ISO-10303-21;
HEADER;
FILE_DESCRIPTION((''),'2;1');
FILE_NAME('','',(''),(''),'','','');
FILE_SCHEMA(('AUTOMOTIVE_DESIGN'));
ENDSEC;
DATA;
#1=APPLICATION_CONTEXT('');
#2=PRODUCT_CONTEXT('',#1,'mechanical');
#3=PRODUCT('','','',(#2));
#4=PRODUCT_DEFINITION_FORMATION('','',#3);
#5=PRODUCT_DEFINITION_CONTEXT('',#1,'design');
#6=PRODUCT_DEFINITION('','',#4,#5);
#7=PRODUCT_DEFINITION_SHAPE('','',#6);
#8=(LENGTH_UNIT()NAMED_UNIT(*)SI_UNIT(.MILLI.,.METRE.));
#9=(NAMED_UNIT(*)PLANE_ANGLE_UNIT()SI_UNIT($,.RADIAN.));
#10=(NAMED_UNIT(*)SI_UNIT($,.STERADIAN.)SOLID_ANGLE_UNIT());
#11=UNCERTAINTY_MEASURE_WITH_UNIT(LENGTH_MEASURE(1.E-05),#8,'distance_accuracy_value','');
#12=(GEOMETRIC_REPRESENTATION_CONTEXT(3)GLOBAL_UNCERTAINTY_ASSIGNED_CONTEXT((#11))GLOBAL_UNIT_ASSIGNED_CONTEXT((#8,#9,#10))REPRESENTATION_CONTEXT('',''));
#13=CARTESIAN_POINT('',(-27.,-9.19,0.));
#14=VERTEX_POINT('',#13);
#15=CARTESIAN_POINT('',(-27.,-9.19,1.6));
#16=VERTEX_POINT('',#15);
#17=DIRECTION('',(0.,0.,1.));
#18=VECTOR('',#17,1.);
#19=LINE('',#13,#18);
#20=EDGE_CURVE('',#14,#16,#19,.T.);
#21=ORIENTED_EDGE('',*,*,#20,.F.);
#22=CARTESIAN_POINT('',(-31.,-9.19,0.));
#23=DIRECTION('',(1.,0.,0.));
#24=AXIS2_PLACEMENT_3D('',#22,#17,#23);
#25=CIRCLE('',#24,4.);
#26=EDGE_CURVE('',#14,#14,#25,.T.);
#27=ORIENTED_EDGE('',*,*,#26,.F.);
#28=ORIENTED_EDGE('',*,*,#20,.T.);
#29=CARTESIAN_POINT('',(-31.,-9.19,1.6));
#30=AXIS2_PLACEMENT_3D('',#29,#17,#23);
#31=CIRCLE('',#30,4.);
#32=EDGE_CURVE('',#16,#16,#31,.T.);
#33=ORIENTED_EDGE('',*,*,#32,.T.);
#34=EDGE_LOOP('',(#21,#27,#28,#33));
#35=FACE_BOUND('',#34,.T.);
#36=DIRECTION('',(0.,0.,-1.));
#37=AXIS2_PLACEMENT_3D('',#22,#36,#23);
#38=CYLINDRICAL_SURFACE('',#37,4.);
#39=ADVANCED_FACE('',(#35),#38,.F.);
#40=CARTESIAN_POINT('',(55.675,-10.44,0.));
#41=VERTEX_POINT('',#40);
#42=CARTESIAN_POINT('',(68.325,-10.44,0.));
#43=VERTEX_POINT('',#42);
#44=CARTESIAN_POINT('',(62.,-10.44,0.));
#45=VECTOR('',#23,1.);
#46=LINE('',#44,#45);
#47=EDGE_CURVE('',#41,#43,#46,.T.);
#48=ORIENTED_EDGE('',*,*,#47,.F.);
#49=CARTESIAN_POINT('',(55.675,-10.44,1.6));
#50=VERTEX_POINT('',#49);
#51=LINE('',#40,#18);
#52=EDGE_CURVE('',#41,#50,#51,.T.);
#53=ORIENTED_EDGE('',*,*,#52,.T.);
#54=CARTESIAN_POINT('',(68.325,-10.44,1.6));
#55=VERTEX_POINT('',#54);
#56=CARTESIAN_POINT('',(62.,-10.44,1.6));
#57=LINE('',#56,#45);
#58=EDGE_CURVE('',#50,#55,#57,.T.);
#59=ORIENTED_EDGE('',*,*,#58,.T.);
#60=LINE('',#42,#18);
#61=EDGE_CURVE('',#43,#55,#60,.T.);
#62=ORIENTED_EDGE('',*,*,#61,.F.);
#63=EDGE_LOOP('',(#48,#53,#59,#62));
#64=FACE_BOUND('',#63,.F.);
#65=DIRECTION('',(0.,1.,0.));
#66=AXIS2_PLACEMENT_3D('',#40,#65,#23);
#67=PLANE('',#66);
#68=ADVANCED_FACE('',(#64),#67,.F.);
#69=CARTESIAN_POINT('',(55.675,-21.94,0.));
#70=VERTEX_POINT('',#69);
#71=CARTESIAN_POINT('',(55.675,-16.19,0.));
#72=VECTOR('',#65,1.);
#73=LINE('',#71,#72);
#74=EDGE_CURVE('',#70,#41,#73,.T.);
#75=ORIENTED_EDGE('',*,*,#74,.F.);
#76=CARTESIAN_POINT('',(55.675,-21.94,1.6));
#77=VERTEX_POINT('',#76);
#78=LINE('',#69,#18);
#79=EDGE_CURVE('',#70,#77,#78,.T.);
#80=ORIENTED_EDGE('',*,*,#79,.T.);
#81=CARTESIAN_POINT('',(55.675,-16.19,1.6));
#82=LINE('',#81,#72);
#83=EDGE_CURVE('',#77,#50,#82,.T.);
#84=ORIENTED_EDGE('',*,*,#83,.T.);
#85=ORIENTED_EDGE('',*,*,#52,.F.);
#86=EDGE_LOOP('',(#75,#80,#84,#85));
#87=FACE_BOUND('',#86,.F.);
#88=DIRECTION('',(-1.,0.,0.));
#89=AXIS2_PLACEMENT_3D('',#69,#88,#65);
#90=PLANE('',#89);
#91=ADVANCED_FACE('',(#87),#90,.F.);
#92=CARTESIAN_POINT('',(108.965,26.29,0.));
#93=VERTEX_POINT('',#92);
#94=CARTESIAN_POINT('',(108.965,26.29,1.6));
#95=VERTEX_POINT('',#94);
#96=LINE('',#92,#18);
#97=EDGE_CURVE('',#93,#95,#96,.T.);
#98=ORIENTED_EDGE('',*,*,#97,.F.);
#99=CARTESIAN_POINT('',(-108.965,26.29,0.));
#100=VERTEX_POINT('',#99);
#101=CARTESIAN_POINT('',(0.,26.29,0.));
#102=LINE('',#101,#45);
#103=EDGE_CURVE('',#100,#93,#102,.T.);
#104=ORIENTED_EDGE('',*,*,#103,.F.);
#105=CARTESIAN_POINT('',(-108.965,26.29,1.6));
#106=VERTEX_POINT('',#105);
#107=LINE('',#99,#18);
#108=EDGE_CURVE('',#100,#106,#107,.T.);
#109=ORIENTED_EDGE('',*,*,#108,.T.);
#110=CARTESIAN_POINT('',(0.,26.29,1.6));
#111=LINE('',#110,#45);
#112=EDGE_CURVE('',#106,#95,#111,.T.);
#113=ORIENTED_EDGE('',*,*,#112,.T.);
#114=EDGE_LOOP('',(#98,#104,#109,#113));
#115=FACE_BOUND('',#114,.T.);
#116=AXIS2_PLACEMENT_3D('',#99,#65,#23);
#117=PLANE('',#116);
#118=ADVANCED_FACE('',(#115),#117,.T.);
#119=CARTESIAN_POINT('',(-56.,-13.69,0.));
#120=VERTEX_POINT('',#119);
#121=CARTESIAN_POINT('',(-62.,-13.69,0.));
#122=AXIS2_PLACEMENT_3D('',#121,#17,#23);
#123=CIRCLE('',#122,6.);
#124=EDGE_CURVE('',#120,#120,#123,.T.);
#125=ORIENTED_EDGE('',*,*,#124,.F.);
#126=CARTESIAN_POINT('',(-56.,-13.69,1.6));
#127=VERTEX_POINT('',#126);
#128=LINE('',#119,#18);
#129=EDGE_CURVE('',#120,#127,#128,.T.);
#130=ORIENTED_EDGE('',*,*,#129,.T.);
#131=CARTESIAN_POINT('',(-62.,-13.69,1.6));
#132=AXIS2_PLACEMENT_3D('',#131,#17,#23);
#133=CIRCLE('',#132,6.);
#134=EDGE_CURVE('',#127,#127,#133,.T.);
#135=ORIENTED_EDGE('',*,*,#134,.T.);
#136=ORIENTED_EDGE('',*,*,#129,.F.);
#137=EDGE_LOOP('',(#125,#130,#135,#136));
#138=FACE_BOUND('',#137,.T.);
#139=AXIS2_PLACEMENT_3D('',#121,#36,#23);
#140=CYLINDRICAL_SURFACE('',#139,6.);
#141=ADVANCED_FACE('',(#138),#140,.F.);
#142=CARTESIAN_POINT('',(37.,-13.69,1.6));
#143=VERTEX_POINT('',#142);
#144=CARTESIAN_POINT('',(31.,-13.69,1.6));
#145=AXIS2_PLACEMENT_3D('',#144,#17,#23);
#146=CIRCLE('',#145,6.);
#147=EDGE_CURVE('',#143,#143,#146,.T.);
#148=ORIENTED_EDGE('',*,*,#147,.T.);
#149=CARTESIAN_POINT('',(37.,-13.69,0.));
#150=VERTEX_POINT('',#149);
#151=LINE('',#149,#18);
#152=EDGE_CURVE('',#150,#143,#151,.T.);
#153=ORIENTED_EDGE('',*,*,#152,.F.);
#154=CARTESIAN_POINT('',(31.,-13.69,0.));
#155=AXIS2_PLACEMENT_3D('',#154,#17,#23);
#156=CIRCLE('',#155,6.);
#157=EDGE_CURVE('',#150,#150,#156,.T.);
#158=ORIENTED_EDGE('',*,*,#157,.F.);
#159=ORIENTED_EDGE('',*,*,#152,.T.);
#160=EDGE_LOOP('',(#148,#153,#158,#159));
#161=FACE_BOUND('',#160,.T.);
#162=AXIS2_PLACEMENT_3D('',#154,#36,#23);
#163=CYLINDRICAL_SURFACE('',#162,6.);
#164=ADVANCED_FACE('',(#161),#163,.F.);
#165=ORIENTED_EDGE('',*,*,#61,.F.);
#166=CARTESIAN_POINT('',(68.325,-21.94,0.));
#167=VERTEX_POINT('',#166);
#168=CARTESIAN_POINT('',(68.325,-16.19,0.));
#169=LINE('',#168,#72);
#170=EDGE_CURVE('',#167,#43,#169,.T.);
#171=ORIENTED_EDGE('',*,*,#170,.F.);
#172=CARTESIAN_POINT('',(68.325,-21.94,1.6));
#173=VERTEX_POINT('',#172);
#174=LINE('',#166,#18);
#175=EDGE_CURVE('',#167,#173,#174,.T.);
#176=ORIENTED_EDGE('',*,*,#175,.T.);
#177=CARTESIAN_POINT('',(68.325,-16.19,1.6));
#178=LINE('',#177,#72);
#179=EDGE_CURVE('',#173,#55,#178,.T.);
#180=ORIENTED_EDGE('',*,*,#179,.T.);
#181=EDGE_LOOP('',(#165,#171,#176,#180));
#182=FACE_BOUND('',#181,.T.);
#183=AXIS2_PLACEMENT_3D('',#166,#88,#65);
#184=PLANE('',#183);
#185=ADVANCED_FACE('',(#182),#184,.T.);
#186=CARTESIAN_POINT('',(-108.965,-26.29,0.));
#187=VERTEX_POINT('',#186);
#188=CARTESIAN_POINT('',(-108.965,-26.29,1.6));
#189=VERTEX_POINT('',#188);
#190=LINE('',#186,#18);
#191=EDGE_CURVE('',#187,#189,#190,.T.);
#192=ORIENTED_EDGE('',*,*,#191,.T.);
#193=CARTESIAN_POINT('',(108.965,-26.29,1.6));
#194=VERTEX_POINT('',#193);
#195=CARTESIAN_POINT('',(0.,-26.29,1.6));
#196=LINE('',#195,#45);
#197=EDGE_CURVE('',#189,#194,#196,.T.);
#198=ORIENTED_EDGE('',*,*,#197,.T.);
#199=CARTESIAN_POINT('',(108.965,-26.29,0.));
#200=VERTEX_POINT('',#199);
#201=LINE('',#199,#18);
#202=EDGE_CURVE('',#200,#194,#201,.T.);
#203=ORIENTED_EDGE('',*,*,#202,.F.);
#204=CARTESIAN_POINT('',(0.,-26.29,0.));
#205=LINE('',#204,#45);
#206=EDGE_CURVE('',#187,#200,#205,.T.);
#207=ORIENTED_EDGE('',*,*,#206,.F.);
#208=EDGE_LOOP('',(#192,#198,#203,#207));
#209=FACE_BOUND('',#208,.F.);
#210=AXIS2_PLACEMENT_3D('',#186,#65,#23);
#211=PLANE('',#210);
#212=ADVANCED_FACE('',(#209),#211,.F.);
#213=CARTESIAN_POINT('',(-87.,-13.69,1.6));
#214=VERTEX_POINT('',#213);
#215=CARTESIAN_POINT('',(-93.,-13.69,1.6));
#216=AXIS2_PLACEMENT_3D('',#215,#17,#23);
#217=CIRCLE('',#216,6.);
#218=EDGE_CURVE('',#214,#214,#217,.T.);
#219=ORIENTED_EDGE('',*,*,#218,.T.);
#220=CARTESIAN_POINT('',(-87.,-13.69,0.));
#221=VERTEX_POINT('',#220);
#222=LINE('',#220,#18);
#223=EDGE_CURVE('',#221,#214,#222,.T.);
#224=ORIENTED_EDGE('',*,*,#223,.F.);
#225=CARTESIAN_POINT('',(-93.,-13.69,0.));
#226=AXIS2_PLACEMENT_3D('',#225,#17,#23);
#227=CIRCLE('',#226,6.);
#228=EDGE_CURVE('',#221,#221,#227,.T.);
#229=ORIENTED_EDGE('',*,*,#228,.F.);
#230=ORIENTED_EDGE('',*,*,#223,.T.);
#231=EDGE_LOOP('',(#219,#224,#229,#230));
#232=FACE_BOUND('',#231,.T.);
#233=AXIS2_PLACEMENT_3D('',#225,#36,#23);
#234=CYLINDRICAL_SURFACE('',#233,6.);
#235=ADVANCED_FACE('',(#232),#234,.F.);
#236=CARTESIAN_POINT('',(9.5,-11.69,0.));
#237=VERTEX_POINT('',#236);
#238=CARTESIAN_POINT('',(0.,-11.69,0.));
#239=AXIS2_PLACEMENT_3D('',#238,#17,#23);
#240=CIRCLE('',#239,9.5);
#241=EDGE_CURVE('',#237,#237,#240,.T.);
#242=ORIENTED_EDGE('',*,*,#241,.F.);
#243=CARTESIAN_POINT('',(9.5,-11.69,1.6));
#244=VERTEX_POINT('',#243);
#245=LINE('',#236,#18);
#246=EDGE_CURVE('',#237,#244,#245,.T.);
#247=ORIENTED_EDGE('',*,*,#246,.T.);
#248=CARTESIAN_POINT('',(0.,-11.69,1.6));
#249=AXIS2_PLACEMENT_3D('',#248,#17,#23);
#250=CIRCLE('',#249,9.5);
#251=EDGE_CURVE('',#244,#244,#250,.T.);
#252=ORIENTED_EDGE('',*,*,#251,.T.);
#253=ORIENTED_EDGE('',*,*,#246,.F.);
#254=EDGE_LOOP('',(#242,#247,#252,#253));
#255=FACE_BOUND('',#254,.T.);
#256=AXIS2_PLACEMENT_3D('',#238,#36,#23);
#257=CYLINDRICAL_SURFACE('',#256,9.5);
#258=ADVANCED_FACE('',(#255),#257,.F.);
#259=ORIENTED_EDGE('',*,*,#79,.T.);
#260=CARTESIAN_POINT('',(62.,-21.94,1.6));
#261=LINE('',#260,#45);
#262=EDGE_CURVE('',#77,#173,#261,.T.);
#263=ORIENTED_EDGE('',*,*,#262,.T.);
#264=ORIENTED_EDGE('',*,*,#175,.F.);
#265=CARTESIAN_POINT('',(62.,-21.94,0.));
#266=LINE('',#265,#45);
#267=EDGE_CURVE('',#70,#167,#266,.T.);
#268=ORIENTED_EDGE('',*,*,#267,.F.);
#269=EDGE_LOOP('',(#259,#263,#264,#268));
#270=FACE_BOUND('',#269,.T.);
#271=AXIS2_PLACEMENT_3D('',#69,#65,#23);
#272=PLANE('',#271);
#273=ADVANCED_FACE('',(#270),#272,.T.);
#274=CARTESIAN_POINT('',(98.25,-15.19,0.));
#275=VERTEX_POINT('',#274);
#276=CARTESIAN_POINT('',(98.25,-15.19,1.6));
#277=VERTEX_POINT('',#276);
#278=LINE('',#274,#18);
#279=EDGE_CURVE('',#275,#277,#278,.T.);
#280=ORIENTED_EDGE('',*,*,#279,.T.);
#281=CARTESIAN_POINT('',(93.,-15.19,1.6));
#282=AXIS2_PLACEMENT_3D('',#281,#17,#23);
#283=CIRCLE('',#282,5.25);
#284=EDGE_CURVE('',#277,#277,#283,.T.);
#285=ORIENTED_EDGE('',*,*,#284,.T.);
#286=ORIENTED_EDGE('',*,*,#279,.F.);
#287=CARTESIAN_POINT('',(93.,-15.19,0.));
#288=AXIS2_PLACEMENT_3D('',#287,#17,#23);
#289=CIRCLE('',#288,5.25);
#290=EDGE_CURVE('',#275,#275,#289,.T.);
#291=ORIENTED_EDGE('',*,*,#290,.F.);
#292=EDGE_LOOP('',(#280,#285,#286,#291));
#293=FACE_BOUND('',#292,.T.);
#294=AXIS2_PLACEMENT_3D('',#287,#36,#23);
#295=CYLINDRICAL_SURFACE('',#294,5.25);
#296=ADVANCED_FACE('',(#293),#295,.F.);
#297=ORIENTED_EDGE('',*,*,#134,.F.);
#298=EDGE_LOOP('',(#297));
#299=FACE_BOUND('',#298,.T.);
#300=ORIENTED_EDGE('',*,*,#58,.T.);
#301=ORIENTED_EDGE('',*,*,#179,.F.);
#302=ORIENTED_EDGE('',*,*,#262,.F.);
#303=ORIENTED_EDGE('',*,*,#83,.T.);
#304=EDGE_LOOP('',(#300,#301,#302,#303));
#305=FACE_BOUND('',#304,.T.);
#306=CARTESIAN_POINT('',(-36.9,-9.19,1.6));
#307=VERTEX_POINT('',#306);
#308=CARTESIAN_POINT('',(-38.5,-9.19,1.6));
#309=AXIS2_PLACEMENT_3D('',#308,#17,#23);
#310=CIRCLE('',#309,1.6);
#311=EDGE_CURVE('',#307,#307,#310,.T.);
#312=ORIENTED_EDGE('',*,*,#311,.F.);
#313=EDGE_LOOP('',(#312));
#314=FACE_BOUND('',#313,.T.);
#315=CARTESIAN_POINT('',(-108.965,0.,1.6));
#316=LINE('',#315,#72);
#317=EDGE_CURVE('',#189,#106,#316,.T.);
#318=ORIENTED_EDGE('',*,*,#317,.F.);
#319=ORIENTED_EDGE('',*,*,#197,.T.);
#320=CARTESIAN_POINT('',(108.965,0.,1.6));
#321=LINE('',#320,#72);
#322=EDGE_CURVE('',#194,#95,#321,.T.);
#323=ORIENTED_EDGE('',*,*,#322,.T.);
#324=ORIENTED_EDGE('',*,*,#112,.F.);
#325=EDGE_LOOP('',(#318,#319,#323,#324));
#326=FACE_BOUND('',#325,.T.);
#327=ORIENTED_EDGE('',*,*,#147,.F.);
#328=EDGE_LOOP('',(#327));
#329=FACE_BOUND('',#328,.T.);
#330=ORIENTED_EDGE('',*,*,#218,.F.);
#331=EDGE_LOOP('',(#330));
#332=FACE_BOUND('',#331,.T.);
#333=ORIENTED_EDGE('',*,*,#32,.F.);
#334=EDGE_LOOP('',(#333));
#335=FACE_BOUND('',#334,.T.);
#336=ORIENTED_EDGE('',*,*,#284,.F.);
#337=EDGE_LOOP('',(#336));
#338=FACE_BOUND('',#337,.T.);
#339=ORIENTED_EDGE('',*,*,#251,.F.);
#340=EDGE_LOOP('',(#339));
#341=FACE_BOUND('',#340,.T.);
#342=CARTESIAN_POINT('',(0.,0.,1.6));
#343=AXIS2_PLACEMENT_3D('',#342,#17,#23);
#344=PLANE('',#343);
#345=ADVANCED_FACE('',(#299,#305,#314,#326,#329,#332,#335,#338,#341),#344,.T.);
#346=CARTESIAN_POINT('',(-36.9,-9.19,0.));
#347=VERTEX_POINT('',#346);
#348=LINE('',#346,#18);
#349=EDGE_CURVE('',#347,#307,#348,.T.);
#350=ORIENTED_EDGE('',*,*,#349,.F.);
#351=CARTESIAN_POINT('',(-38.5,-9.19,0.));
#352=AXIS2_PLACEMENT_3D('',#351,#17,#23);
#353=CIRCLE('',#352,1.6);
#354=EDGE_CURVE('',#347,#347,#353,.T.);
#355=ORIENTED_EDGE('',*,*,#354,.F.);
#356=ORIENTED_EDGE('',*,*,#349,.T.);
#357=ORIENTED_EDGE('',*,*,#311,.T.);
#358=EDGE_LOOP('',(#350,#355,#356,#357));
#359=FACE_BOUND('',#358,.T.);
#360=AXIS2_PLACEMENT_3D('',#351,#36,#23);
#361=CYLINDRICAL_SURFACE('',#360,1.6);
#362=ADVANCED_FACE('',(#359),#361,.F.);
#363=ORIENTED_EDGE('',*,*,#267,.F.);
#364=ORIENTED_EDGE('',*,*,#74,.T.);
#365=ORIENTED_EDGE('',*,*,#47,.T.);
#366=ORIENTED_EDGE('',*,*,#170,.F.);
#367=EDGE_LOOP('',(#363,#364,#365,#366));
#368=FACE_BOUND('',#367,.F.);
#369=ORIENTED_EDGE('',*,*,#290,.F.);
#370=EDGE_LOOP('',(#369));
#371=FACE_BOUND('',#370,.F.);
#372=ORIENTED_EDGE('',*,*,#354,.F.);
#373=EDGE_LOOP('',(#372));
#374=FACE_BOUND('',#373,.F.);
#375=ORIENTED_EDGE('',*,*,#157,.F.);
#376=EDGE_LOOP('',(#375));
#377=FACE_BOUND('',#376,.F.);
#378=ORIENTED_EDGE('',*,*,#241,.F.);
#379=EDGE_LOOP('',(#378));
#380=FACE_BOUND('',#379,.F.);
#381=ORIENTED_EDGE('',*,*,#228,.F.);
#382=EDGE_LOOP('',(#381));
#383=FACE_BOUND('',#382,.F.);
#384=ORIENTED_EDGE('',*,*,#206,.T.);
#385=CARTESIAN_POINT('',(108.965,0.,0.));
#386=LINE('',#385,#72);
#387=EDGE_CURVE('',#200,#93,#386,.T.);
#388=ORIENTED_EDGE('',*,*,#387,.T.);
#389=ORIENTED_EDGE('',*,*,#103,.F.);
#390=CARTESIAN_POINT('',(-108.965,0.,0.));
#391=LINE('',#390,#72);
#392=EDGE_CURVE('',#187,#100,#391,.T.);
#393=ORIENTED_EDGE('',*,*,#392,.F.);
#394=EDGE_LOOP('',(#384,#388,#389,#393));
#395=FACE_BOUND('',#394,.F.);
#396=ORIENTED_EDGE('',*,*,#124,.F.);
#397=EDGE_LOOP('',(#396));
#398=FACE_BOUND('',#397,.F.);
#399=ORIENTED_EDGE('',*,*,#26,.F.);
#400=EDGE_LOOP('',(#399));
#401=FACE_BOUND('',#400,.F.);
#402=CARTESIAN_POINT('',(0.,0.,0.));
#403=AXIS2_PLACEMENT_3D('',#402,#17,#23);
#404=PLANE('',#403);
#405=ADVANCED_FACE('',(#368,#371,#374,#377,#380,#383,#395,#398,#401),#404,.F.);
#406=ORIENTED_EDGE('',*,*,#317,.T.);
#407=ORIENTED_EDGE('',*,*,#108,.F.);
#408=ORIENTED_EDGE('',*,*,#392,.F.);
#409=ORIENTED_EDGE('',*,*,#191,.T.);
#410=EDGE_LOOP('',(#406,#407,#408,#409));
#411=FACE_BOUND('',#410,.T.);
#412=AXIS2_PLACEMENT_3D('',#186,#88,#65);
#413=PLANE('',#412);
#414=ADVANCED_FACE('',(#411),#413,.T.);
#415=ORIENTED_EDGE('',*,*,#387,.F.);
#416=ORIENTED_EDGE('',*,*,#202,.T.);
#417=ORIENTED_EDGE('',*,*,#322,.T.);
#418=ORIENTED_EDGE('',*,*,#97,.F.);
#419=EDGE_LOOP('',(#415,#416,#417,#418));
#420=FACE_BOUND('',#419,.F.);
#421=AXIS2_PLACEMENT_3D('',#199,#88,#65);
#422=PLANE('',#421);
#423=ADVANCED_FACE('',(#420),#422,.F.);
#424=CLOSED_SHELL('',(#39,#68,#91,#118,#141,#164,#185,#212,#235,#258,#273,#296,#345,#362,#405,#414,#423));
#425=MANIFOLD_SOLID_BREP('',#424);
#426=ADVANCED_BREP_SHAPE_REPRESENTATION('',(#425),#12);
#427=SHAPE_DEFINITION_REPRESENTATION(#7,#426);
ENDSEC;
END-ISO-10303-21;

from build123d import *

# Parameters (mm, degrees)
SKETCH_W   = 217.93
SKETCH_H   = 52.58
SKETCH_R   = 6
SKETCH_R_2 = 4
SKETCH_R_3 = 1.6
SKETCH_R_4 = 9.5
SKETCH_R_5 = 5.25
SKETCH_W_2 = 12.65
SKETCH_H_2 = 11.5
PAD_DEPTH  = 1.6


with BuildPart() as part:
    # Sketch → Pad (new body)
    with BuildSketch(Plane.XY):
        Rectangle(SKETCH_W, SKETCH_H)
        with Locations((-93, -13.69)):
            Circle(SKETCH_R, mode=Mode.SUBTRACT)
        with Locations((-62, -13.69)):
            Circle(SKETCH_R, mode=Mode.SUBTRACT)
        with Locations((31, -13.69)):
            Circle(SKETCH_R, mode=Mode.SUBTRACT)
        with Locations((-31, -9.19)):
            Circle(SKETCH_R_2, mode=Mode.SUBTRACT)
        with Locations((-38.5, -9.19)):
            Circle(SKETCH_R_3, mode=Mode.SUBTRACT)
        with Locations((0, -11.69)):
            Circle(SKETCH_R_4, mode=Mode.SUBTRACT)
        with Locations((93, -15.19)):
            Circle(SKETCH_R_5, mode=Mode.SUBTRACT)
        with Locations((62, -16.19)):
            Rectangle(SKETCH_W_2, SKETCH_H_2, mode=Mode.SUBTRACT)
    extrude(amount=PAD_DEPTH)


solid = part.part
